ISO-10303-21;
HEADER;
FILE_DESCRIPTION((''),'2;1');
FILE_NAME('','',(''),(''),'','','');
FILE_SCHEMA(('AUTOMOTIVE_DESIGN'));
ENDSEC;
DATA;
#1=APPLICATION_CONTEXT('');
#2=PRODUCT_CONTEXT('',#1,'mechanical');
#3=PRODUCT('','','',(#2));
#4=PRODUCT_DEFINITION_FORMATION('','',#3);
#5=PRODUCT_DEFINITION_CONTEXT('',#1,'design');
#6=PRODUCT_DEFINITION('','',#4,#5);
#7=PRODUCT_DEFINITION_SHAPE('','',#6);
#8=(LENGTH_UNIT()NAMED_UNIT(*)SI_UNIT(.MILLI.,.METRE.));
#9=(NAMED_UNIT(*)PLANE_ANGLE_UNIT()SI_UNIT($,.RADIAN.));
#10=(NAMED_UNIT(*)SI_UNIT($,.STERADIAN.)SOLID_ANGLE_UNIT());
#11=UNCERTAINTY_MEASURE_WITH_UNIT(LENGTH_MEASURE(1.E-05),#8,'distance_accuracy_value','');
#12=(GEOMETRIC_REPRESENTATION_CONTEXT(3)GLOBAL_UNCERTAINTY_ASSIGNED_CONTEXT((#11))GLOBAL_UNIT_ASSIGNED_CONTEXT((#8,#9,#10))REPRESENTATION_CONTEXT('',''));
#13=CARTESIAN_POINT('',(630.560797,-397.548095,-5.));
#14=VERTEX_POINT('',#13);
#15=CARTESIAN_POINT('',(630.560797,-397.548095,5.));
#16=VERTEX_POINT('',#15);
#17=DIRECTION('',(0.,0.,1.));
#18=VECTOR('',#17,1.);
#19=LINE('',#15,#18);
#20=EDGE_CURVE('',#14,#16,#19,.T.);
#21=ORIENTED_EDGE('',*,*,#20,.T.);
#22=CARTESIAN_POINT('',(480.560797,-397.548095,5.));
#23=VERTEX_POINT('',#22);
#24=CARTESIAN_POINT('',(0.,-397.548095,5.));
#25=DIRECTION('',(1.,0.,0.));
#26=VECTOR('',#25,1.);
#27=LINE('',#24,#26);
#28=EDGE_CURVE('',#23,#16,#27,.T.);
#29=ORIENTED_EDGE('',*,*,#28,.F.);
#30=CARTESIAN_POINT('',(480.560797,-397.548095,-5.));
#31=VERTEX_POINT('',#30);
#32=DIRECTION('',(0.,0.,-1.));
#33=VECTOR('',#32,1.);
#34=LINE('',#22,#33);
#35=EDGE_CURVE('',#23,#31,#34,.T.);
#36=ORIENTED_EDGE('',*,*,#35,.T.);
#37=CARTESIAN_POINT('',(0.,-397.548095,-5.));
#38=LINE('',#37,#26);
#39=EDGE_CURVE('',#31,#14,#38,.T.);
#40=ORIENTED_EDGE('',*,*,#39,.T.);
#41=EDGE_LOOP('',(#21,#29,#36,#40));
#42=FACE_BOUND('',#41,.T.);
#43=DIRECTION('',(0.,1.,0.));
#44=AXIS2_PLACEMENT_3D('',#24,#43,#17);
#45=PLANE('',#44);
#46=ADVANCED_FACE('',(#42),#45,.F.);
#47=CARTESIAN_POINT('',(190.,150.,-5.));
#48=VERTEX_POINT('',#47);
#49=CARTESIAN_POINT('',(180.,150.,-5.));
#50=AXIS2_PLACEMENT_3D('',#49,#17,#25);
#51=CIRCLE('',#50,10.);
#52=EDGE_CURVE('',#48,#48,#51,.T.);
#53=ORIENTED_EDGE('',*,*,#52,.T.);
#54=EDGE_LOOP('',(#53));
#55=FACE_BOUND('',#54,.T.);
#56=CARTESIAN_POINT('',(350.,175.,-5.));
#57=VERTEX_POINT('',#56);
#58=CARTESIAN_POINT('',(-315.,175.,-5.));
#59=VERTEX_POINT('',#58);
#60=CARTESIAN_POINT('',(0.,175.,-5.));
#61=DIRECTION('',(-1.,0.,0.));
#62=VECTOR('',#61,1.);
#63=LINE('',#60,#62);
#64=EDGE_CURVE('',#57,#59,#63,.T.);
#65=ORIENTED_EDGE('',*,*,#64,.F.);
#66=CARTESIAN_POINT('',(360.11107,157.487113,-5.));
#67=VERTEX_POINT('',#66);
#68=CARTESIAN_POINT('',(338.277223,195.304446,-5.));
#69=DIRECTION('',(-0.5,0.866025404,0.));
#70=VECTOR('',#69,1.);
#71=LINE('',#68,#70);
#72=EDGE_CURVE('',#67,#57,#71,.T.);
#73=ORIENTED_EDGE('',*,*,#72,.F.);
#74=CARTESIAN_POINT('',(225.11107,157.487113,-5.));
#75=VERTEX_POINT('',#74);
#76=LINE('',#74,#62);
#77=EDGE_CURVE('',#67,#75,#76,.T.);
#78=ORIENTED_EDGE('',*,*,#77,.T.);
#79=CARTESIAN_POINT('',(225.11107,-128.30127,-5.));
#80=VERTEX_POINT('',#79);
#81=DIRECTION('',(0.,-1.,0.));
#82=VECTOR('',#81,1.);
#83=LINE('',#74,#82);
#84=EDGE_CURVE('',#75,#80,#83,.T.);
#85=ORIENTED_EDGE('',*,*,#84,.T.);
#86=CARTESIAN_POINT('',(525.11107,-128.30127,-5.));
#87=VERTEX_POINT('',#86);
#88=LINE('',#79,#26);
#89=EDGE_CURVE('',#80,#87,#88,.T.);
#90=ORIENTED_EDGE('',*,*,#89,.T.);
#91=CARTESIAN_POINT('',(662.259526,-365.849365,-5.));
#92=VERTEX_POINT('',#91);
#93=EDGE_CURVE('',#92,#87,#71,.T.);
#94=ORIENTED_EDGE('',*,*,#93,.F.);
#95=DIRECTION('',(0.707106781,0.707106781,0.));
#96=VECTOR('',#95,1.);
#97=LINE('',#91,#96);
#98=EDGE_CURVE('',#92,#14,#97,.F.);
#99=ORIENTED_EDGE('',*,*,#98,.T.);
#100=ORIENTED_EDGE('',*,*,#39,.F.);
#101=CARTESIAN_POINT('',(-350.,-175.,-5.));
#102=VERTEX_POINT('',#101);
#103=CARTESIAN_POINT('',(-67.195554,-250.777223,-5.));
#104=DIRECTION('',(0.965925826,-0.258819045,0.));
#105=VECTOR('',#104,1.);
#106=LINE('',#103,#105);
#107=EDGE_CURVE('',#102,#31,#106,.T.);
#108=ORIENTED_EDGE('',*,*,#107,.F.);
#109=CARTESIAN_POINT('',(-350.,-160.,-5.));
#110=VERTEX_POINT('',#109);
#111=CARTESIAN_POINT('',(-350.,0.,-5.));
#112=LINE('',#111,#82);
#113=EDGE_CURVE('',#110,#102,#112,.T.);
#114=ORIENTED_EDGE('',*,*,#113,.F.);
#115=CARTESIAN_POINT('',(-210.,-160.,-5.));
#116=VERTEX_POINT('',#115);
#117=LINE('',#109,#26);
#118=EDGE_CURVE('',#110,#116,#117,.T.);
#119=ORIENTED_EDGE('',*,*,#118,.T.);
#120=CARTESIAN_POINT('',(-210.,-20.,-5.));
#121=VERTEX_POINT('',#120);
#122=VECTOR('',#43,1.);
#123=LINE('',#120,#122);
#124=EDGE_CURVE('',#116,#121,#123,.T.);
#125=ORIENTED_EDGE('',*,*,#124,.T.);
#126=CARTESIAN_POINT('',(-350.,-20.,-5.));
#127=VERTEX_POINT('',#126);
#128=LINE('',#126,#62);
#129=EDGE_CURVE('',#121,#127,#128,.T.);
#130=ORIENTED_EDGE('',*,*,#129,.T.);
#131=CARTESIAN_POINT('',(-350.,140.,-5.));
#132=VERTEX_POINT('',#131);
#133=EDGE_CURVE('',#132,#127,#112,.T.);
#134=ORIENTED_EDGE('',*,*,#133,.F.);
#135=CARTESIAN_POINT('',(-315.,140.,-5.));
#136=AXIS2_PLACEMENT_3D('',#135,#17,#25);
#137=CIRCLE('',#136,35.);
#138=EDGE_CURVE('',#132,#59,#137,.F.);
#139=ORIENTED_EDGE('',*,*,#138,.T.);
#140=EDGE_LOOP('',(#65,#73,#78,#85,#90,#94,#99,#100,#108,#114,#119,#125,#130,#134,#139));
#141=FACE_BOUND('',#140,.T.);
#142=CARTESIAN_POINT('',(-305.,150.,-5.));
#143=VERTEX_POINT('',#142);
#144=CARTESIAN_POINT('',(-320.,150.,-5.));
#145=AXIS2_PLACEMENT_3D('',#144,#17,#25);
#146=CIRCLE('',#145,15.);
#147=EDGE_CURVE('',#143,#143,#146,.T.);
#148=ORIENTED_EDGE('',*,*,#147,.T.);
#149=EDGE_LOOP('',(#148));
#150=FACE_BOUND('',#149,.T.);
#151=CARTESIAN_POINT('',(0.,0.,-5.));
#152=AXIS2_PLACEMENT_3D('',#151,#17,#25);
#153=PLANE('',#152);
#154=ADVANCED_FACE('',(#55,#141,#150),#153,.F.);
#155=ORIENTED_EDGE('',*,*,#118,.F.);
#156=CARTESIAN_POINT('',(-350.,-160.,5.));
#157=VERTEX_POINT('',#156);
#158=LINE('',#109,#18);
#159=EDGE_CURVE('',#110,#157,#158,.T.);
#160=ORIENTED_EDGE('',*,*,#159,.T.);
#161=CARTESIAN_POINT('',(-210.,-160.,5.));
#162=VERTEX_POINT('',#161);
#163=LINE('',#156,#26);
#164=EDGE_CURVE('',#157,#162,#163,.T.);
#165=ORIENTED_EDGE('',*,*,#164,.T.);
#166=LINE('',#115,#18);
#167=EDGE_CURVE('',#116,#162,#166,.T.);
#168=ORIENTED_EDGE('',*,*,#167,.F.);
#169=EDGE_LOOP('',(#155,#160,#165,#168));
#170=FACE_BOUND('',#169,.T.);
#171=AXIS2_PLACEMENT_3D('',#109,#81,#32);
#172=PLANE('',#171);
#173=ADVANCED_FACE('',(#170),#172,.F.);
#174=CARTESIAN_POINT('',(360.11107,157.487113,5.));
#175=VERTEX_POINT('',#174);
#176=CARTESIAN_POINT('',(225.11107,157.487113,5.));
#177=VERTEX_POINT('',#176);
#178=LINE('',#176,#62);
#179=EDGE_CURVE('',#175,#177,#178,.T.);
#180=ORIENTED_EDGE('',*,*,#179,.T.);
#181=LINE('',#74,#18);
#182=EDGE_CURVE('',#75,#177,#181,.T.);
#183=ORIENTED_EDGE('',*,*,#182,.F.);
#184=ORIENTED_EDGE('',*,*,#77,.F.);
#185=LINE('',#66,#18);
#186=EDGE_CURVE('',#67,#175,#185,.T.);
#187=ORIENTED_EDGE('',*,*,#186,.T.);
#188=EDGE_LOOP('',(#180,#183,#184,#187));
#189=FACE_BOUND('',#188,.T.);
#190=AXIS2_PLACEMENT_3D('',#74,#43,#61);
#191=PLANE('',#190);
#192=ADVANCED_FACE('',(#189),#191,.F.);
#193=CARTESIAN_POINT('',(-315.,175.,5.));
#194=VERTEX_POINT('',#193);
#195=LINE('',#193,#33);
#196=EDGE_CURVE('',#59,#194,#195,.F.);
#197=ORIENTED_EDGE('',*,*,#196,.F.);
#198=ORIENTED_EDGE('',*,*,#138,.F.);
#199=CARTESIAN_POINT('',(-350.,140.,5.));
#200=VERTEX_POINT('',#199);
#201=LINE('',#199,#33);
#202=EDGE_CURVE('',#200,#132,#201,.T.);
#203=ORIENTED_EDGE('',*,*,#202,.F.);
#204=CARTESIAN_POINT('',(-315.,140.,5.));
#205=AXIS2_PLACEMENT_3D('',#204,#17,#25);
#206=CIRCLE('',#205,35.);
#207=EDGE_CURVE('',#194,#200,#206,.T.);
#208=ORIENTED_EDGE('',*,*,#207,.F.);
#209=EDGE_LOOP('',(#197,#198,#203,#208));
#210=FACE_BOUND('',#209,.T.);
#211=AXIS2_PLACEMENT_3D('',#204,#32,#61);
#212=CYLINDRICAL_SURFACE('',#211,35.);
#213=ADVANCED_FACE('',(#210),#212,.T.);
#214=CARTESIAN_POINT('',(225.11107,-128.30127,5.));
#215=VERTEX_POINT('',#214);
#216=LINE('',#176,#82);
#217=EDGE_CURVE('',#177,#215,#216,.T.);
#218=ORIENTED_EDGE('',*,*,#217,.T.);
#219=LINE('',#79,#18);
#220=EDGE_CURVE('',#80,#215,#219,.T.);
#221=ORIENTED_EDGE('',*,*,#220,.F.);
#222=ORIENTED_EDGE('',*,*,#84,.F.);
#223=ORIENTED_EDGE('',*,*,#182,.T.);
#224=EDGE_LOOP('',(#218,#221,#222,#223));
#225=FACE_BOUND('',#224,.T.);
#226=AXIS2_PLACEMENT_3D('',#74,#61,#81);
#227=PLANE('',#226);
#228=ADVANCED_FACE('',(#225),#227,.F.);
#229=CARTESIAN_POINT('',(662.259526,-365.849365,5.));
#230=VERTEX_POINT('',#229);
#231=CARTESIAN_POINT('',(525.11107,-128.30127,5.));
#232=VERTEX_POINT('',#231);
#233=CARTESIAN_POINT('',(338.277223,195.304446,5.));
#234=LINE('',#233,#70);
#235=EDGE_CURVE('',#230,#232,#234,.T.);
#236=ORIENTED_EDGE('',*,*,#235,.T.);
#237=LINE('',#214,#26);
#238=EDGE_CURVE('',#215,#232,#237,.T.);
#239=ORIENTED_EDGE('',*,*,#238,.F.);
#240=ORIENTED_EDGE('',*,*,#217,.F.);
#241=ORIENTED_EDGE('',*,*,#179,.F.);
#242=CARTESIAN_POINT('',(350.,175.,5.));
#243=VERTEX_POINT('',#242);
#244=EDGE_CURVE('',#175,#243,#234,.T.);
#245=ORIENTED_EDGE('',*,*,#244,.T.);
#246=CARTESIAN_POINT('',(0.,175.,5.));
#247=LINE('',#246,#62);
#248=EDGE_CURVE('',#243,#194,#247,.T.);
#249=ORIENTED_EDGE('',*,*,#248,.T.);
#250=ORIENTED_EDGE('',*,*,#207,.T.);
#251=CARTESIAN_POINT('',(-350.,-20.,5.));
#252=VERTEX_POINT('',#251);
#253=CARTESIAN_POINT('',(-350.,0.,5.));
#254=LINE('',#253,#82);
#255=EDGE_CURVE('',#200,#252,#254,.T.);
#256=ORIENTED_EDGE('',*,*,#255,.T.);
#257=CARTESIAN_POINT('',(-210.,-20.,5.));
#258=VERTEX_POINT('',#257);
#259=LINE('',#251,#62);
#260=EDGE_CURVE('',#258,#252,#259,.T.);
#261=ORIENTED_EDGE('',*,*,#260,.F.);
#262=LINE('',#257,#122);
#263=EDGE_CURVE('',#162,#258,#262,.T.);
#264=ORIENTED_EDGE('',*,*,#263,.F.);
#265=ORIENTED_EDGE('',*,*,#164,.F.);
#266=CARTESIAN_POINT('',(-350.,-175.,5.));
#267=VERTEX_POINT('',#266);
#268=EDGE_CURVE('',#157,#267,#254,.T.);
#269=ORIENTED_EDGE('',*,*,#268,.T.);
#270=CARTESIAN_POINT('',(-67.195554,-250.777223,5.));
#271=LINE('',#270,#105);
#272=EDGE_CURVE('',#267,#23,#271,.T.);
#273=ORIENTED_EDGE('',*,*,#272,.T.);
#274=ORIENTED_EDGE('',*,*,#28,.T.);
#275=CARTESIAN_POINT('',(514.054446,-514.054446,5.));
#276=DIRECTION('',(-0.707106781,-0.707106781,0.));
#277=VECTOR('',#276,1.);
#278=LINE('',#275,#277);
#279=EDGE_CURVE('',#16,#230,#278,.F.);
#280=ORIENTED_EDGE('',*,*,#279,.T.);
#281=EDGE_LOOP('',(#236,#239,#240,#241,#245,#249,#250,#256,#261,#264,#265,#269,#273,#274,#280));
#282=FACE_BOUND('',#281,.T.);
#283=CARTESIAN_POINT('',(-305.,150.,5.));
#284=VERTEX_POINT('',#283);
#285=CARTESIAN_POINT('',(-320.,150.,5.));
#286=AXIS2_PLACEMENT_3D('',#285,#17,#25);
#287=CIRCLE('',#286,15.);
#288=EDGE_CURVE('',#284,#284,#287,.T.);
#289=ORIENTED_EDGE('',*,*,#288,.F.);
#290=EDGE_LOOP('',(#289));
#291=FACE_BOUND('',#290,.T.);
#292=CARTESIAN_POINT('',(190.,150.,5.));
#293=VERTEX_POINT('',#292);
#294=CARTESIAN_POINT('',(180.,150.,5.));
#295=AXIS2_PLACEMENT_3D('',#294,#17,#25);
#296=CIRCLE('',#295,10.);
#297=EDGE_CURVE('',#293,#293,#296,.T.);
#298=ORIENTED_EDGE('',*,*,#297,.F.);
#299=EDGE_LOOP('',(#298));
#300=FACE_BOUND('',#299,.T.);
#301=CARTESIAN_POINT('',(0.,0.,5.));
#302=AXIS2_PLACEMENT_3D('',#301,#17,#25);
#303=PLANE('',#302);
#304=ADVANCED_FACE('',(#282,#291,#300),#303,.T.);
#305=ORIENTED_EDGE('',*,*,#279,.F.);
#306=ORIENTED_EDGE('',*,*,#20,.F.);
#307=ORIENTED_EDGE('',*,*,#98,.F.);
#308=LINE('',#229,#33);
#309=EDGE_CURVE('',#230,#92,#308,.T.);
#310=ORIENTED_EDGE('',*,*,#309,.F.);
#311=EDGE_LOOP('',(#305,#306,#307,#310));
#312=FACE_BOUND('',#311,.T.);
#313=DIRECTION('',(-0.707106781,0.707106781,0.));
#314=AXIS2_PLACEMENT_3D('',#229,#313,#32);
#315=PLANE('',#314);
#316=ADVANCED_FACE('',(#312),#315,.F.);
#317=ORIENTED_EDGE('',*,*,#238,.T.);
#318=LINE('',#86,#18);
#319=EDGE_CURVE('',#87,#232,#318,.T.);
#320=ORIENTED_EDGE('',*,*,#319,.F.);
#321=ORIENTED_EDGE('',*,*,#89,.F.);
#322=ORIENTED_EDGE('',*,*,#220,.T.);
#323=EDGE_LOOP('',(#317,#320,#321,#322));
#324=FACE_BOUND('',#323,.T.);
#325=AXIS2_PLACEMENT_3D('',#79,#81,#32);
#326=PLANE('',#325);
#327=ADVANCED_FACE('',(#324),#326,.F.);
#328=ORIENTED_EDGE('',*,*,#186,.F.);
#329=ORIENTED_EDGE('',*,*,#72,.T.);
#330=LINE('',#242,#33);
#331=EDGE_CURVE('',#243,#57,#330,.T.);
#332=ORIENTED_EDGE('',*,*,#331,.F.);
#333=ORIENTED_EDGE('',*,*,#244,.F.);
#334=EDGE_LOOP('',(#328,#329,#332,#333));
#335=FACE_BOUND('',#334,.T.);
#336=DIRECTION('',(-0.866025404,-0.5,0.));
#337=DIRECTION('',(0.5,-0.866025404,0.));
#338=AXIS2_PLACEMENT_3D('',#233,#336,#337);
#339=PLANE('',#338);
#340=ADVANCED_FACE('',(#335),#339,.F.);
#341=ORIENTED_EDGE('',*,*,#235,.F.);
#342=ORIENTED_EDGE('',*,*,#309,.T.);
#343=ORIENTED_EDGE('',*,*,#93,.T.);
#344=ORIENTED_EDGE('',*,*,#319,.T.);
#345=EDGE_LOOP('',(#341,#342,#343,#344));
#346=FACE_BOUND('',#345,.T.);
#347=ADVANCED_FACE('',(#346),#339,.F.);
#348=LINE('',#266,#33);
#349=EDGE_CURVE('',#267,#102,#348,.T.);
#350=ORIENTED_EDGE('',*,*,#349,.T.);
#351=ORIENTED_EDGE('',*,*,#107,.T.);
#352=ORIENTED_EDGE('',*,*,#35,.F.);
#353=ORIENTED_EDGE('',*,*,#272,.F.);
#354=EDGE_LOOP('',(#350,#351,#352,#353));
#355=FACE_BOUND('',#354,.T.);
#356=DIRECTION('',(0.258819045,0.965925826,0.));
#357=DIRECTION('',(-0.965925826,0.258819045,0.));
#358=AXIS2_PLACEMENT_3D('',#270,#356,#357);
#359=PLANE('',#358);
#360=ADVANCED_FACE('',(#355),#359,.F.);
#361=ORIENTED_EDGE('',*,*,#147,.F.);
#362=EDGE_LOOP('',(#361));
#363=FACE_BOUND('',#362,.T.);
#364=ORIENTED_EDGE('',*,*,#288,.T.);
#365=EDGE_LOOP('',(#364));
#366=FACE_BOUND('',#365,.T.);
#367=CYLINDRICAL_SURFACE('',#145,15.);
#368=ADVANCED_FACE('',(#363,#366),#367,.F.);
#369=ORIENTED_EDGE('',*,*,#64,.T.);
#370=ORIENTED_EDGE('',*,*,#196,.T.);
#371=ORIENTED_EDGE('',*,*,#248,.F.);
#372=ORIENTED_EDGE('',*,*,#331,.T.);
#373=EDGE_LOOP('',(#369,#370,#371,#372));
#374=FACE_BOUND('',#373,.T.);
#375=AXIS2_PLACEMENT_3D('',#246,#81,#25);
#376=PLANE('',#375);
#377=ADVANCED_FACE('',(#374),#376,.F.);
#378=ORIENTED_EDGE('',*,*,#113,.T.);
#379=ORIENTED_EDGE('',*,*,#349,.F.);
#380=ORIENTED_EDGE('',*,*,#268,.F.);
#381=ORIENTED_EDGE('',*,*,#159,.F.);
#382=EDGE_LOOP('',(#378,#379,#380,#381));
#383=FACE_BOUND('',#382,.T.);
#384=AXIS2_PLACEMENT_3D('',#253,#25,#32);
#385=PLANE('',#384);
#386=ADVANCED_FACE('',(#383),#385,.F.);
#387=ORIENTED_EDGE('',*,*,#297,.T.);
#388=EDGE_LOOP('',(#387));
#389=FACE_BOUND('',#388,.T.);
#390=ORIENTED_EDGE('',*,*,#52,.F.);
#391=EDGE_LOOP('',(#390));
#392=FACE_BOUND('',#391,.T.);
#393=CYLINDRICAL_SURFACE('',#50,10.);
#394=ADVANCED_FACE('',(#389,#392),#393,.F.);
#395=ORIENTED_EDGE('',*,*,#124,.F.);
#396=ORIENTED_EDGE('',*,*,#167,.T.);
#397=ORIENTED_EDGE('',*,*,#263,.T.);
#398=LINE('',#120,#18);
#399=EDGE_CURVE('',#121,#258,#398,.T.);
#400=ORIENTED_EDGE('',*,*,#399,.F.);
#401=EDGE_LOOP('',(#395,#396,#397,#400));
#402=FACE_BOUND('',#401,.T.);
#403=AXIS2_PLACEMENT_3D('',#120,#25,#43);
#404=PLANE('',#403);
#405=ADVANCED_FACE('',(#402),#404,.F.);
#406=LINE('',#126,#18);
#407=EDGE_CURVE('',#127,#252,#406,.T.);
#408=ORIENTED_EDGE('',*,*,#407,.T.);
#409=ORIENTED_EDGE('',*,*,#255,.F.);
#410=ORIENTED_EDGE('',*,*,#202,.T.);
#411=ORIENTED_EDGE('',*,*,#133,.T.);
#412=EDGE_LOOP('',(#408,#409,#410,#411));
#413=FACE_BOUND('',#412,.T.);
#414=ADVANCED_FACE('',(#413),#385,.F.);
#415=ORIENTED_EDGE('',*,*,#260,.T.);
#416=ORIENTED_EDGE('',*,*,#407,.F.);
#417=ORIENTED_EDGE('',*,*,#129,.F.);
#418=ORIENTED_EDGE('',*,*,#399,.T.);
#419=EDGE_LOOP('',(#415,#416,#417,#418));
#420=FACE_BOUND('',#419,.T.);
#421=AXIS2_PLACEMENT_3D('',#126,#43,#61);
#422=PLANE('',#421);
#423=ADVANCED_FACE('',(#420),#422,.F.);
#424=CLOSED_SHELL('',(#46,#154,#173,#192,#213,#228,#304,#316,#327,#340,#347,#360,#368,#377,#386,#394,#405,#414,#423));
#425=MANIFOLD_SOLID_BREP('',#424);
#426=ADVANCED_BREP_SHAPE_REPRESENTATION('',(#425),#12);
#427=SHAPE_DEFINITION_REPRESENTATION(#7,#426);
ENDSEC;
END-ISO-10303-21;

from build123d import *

# Parameters (mm, degrees)
SKETCH1_W           = 700
SKETCH1_H           = 350
BOSS_EXTRUDE2_DEPTH = 5
SKETCH2_R           = 15
SKETCH2_R_2         = 10
CUT_EXTRUDE1_DEPTH  = 10
FILLET1_R           = 35
SKETCH3_W           = 140
SKETCH3_H           = 140
CUT_EXTRUDE2_DEPTH  = 789.23060426
CHAMFER1_SIZE       = 50
CHAMFER1_SIZE2      = 36.602540378


with BuildPart() as part:
    # Sketch1 → Boss-Extrude2 (new, symmetric)
    with BuildSketch(Plane.XY):
        Polygon((350, -175), (-350, -175), (480.560796608, -397.548094716), (680.560796608, -397.548094716), (350, 175), align=None)
        Rectangle(SKETCH1_W, SKETCH1_H)
    extrude(amount=BOSS_EXTRUDE2_DEPTH, both=True)

    # Sketch2 → Cut-Extrude1 (cut)
    with BuildSketch(Plane.XY.offset(5)):
        with Locations((-320, 150)):
            Circle(SKETCH2_R)
        with Locations((180, 150)):
            Circle(SKETCH2_R_2)
    extrude(amount=-CUT_EXTRUDE1_DEPTH, mode=Mode.SUBTRACT)

    # Fillet1
    fillet1_edges = [part.edges().sort_by_distance(p)[0] for p in [
        (-350, 175, 0),
    ]]
    fillet(fillet1_edges, radius=FILLET1_R)

    # Sketch3 → Cut-Extrude2 (cut, through all)
    with BuildSketch(Plane.XY.offset(5)):
        with Locations((-280, -90)):
            Rectangle(SKETCH3_W, SKETCH3_H)
        Polygon((225.111069989, 157.48711306), (225.111069989, -128.301270189), (525.111069989, -128.301270189), (360.111069989, 157.48711306), align=None)
    extrude(amount=-CUT_EXTRUDE2_DEPTH, mode=Mode.SUBTRACT)

    # Chamfer1
    chamfer1_edges = [part.edges().sort_by_distance(p)[0] for p in [
        (680.560796608, -397.548094716, 0),
    ]]
    chamfer1_side = [part.faces().sort_by_distance(p)[0] for p in [
        (580.560796608, -397.548094716, 0),
    ]]
    chamfer(chamfer1_edges, length=CHAMFER1_SIZE, length2=CHAMFER1_SIZE2, reference=chamfer1_side[0])


solid = part.part
